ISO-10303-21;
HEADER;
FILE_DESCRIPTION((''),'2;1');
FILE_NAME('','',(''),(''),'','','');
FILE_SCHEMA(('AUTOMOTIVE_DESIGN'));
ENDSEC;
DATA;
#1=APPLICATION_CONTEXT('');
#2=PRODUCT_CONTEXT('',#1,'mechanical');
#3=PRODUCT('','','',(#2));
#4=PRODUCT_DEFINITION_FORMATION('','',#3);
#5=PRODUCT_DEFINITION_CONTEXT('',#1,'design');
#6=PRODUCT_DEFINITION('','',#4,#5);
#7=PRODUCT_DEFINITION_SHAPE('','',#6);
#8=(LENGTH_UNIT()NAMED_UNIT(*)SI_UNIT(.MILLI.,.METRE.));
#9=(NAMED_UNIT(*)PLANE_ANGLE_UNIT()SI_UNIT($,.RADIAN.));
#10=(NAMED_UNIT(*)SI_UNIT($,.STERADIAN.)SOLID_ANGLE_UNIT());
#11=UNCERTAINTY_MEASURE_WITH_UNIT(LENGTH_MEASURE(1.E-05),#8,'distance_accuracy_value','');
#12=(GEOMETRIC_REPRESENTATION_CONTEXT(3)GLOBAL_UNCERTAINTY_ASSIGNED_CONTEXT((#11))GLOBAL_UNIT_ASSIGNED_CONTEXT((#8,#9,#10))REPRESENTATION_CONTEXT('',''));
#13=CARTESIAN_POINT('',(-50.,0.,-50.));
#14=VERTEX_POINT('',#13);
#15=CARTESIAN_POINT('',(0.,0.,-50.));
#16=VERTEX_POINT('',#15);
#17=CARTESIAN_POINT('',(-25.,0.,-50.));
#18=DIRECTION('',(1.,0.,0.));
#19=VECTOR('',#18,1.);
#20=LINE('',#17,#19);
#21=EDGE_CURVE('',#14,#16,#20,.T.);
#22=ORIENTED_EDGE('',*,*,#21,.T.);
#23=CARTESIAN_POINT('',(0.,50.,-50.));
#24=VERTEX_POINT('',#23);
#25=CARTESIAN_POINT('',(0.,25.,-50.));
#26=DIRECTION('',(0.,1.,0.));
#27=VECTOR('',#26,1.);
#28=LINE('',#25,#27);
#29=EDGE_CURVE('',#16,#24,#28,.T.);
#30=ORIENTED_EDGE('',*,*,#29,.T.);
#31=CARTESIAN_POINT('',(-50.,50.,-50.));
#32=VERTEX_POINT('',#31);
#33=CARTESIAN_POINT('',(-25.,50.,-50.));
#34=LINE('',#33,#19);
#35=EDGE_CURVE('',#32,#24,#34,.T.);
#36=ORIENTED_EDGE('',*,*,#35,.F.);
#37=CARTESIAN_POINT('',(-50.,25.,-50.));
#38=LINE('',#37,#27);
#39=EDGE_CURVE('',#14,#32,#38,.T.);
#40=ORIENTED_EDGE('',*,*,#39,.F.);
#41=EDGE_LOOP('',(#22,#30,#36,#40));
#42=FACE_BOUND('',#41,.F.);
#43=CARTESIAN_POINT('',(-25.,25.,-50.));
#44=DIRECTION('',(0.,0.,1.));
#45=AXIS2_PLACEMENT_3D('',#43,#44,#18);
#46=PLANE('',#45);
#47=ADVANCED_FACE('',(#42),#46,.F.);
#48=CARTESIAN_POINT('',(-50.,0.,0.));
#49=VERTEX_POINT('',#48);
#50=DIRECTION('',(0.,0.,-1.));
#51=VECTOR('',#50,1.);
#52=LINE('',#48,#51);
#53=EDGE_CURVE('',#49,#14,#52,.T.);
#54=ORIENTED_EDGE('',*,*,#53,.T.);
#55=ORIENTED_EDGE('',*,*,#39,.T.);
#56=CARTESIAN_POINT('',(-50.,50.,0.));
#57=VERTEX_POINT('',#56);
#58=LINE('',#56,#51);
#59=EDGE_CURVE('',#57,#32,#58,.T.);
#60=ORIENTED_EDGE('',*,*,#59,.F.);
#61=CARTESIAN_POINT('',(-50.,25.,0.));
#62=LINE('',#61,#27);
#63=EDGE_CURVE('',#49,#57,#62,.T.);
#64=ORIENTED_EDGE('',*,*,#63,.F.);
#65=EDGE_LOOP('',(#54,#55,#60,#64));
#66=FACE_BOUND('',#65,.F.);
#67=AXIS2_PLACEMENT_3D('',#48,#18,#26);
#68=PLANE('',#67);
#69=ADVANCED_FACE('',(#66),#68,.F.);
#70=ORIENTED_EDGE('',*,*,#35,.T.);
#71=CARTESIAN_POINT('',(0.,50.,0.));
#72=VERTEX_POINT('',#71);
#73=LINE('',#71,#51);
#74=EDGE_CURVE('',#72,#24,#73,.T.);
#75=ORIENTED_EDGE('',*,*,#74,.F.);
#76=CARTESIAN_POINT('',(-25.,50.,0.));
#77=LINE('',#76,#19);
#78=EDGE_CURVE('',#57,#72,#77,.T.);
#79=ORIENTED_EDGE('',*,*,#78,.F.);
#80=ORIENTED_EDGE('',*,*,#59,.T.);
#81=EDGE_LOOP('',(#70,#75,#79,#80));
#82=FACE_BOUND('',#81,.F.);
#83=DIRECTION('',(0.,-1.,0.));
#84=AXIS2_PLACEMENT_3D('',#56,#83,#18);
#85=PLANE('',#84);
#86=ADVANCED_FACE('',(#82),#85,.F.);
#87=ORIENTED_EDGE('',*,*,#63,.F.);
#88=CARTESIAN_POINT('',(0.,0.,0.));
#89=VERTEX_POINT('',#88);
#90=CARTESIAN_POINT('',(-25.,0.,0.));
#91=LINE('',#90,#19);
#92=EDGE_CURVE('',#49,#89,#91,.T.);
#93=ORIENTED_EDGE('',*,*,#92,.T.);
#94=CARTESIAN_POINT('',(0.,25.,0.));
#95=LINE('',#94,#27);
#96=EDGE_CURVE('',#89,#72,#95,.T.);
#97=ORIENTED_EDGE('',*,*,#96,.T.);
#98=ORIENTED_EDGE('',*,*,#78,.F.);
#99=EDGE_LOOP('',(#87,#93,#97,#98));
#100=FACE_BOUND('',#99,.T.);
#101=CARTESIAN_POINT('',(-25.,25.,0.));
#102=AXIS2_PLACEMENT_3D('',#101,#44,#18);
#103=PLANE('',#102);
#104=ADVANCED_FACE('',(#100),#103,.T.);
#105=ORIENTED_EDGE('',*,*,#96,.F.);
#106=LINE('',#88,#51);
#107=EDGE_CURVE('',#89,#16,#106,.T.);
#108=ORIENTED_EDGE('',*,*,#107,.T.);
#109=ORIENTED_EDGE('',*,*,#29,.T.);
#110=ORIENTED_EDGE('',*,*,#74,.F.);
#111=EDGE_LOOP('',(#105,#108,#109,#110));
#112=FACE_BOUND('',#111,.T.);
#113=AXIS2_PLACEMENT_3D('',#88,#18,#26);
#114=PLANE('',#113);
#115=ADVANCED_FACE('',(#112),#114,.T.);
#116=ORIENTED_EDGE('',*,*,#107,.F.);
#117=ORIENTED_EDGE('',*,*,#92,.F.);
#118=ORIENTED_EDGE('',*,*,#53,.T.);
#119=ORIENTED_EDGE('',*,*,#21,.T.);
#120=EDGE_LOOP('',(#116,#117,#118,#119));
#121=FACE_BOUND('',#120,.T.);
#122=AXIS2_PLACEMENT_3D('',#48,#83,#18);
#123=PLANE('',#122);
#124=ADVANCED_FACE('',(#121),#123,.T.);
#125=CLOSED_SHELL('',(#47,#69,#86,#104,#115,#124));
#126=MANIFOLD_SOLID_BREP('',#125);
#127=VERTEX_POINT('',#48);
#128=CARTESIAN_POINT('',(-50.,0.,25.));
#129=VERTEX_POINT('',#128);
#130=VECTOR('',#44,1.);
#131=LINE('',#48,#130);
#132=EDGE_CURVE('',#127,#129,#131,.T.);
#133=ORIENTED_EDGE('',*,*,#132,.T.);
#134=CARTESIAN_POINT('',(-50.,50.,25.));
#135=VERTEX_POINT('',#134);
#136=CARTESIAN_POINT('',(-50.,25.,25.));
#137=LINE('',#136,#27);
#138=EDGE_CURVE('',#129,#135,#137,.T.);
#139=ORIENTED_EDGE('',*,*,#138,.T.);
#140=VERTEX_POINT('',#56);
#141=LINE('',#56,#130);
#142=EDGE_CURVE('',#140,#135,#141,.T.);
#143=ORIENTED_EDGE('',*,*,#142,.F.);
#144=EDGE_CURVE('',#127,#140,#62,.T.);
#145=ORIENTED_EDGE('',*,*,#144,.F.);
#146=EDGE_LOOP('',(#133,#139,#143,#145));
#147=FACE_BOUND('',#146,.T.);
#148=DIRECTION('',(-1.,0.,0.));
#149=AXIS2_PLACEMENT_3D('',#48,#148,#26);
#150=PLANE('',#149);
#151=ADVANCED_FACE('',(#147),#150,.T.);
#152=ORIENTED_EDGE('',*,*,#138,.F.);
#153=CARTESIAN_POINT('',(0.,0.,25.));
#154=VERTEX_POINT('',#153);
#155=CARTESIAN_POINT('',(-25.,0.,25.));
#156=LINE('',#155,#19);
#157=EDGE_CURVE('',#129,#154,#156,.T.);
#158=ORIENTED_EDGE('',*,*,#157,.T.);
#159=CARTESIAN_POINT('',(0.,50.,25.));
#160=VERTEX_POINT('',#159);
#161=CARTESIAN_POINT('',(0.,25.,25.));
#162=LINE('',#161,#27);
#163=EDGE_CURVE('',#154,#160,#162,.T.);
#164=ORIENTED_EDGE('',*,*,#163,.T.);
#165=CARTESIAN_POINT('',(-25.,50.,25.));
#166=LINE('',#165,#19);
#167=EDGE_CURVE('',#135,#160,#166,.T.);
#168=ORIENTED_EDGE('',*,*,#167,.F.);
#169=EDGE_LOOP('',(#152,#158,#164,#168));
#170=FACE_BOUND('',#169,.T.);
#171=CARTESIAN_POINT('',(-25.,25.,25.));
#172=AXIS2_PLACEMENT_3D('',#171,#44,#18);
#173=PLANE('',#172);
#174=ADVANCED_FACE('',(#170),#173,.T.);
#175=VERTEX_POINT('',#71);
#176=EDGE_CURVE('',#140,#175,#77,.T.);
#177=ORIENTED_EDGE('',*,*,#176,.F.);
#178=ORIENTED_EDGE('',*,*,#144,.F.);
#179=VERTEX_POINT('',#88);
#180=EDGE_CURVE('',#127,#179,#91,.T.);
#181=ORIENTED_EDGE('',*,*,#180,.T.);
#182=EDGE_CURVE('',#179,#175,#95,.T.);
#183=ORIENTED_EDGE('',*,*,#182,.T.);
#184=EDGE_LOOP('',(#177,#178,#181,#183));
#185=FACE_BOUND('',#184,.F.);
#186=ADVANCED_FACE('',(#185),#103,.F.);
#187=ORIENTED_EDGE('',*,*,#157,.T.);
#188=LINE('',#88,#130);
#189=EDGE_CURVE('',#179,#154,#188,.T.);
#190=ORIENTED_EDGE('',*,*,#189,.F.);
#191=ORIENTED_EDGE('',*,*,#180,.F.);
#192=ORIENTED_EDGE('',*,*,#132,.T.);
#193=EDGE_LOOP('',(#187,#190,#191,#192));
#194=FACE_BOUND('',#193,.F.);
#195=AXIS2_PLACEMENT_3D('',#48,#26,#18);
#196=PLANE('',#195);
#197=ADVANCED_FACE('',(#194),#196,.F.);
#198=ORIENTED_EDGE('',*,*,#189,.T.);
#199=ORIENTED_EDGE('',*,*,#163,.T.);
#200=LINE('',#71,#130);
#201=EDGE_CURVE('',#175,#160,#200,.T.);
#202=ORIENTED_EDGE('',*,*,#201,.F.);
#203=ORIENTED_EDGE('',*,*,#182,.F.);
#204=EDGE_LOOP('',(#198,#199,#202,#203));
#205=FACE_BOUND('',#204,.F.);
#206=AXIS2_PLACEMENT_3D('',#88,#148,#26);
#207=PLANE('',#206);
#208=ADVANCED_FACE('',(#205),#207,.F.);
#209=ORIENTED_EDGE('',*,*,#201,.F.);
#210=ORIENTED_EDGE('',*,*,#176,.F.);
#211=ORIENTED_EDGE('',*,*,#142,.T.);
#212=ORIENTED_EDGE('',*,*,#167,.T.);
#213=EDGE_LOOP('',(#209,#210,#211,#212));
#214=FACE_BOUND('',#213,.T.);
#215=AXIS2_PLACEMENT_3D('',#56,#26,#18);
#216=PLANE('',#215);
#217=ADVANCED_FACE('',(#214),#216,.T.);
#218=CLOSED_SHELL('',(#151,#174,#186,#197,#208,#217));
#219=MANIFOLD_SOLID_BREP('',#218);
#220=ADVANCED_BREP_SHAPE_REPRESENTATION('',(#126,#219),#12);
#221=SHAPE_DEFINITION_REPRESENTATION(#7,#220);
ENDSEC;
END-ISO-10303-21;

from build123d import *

# Parameters (mm, degrees)
F0_W     = 50
F0_H     = 50
F1_DEPTH = 50
F2_W     = 50
F2_H     = 50
F3_DEPTH = 25


with BuildPart() as f1:
    # F0 (on Top) → F1 (new body)
    with BuildSketch(Plane.XY):
        with Locations((-25, 25)):
            Rectangle(F0_W, F0_H)
    extrude(amount=-F1_DEPTH)


with BuildPart() as f3:
    # F2 (on face) → F3 (new body)
    with BuildSketch(Plane.XY):
        with Locations((-25, 25)):
            Rectangle(F2_W, F2_H)
    extrude(amount=F3_DEPTH)


solid = Compound([f1.part, f3.part])
